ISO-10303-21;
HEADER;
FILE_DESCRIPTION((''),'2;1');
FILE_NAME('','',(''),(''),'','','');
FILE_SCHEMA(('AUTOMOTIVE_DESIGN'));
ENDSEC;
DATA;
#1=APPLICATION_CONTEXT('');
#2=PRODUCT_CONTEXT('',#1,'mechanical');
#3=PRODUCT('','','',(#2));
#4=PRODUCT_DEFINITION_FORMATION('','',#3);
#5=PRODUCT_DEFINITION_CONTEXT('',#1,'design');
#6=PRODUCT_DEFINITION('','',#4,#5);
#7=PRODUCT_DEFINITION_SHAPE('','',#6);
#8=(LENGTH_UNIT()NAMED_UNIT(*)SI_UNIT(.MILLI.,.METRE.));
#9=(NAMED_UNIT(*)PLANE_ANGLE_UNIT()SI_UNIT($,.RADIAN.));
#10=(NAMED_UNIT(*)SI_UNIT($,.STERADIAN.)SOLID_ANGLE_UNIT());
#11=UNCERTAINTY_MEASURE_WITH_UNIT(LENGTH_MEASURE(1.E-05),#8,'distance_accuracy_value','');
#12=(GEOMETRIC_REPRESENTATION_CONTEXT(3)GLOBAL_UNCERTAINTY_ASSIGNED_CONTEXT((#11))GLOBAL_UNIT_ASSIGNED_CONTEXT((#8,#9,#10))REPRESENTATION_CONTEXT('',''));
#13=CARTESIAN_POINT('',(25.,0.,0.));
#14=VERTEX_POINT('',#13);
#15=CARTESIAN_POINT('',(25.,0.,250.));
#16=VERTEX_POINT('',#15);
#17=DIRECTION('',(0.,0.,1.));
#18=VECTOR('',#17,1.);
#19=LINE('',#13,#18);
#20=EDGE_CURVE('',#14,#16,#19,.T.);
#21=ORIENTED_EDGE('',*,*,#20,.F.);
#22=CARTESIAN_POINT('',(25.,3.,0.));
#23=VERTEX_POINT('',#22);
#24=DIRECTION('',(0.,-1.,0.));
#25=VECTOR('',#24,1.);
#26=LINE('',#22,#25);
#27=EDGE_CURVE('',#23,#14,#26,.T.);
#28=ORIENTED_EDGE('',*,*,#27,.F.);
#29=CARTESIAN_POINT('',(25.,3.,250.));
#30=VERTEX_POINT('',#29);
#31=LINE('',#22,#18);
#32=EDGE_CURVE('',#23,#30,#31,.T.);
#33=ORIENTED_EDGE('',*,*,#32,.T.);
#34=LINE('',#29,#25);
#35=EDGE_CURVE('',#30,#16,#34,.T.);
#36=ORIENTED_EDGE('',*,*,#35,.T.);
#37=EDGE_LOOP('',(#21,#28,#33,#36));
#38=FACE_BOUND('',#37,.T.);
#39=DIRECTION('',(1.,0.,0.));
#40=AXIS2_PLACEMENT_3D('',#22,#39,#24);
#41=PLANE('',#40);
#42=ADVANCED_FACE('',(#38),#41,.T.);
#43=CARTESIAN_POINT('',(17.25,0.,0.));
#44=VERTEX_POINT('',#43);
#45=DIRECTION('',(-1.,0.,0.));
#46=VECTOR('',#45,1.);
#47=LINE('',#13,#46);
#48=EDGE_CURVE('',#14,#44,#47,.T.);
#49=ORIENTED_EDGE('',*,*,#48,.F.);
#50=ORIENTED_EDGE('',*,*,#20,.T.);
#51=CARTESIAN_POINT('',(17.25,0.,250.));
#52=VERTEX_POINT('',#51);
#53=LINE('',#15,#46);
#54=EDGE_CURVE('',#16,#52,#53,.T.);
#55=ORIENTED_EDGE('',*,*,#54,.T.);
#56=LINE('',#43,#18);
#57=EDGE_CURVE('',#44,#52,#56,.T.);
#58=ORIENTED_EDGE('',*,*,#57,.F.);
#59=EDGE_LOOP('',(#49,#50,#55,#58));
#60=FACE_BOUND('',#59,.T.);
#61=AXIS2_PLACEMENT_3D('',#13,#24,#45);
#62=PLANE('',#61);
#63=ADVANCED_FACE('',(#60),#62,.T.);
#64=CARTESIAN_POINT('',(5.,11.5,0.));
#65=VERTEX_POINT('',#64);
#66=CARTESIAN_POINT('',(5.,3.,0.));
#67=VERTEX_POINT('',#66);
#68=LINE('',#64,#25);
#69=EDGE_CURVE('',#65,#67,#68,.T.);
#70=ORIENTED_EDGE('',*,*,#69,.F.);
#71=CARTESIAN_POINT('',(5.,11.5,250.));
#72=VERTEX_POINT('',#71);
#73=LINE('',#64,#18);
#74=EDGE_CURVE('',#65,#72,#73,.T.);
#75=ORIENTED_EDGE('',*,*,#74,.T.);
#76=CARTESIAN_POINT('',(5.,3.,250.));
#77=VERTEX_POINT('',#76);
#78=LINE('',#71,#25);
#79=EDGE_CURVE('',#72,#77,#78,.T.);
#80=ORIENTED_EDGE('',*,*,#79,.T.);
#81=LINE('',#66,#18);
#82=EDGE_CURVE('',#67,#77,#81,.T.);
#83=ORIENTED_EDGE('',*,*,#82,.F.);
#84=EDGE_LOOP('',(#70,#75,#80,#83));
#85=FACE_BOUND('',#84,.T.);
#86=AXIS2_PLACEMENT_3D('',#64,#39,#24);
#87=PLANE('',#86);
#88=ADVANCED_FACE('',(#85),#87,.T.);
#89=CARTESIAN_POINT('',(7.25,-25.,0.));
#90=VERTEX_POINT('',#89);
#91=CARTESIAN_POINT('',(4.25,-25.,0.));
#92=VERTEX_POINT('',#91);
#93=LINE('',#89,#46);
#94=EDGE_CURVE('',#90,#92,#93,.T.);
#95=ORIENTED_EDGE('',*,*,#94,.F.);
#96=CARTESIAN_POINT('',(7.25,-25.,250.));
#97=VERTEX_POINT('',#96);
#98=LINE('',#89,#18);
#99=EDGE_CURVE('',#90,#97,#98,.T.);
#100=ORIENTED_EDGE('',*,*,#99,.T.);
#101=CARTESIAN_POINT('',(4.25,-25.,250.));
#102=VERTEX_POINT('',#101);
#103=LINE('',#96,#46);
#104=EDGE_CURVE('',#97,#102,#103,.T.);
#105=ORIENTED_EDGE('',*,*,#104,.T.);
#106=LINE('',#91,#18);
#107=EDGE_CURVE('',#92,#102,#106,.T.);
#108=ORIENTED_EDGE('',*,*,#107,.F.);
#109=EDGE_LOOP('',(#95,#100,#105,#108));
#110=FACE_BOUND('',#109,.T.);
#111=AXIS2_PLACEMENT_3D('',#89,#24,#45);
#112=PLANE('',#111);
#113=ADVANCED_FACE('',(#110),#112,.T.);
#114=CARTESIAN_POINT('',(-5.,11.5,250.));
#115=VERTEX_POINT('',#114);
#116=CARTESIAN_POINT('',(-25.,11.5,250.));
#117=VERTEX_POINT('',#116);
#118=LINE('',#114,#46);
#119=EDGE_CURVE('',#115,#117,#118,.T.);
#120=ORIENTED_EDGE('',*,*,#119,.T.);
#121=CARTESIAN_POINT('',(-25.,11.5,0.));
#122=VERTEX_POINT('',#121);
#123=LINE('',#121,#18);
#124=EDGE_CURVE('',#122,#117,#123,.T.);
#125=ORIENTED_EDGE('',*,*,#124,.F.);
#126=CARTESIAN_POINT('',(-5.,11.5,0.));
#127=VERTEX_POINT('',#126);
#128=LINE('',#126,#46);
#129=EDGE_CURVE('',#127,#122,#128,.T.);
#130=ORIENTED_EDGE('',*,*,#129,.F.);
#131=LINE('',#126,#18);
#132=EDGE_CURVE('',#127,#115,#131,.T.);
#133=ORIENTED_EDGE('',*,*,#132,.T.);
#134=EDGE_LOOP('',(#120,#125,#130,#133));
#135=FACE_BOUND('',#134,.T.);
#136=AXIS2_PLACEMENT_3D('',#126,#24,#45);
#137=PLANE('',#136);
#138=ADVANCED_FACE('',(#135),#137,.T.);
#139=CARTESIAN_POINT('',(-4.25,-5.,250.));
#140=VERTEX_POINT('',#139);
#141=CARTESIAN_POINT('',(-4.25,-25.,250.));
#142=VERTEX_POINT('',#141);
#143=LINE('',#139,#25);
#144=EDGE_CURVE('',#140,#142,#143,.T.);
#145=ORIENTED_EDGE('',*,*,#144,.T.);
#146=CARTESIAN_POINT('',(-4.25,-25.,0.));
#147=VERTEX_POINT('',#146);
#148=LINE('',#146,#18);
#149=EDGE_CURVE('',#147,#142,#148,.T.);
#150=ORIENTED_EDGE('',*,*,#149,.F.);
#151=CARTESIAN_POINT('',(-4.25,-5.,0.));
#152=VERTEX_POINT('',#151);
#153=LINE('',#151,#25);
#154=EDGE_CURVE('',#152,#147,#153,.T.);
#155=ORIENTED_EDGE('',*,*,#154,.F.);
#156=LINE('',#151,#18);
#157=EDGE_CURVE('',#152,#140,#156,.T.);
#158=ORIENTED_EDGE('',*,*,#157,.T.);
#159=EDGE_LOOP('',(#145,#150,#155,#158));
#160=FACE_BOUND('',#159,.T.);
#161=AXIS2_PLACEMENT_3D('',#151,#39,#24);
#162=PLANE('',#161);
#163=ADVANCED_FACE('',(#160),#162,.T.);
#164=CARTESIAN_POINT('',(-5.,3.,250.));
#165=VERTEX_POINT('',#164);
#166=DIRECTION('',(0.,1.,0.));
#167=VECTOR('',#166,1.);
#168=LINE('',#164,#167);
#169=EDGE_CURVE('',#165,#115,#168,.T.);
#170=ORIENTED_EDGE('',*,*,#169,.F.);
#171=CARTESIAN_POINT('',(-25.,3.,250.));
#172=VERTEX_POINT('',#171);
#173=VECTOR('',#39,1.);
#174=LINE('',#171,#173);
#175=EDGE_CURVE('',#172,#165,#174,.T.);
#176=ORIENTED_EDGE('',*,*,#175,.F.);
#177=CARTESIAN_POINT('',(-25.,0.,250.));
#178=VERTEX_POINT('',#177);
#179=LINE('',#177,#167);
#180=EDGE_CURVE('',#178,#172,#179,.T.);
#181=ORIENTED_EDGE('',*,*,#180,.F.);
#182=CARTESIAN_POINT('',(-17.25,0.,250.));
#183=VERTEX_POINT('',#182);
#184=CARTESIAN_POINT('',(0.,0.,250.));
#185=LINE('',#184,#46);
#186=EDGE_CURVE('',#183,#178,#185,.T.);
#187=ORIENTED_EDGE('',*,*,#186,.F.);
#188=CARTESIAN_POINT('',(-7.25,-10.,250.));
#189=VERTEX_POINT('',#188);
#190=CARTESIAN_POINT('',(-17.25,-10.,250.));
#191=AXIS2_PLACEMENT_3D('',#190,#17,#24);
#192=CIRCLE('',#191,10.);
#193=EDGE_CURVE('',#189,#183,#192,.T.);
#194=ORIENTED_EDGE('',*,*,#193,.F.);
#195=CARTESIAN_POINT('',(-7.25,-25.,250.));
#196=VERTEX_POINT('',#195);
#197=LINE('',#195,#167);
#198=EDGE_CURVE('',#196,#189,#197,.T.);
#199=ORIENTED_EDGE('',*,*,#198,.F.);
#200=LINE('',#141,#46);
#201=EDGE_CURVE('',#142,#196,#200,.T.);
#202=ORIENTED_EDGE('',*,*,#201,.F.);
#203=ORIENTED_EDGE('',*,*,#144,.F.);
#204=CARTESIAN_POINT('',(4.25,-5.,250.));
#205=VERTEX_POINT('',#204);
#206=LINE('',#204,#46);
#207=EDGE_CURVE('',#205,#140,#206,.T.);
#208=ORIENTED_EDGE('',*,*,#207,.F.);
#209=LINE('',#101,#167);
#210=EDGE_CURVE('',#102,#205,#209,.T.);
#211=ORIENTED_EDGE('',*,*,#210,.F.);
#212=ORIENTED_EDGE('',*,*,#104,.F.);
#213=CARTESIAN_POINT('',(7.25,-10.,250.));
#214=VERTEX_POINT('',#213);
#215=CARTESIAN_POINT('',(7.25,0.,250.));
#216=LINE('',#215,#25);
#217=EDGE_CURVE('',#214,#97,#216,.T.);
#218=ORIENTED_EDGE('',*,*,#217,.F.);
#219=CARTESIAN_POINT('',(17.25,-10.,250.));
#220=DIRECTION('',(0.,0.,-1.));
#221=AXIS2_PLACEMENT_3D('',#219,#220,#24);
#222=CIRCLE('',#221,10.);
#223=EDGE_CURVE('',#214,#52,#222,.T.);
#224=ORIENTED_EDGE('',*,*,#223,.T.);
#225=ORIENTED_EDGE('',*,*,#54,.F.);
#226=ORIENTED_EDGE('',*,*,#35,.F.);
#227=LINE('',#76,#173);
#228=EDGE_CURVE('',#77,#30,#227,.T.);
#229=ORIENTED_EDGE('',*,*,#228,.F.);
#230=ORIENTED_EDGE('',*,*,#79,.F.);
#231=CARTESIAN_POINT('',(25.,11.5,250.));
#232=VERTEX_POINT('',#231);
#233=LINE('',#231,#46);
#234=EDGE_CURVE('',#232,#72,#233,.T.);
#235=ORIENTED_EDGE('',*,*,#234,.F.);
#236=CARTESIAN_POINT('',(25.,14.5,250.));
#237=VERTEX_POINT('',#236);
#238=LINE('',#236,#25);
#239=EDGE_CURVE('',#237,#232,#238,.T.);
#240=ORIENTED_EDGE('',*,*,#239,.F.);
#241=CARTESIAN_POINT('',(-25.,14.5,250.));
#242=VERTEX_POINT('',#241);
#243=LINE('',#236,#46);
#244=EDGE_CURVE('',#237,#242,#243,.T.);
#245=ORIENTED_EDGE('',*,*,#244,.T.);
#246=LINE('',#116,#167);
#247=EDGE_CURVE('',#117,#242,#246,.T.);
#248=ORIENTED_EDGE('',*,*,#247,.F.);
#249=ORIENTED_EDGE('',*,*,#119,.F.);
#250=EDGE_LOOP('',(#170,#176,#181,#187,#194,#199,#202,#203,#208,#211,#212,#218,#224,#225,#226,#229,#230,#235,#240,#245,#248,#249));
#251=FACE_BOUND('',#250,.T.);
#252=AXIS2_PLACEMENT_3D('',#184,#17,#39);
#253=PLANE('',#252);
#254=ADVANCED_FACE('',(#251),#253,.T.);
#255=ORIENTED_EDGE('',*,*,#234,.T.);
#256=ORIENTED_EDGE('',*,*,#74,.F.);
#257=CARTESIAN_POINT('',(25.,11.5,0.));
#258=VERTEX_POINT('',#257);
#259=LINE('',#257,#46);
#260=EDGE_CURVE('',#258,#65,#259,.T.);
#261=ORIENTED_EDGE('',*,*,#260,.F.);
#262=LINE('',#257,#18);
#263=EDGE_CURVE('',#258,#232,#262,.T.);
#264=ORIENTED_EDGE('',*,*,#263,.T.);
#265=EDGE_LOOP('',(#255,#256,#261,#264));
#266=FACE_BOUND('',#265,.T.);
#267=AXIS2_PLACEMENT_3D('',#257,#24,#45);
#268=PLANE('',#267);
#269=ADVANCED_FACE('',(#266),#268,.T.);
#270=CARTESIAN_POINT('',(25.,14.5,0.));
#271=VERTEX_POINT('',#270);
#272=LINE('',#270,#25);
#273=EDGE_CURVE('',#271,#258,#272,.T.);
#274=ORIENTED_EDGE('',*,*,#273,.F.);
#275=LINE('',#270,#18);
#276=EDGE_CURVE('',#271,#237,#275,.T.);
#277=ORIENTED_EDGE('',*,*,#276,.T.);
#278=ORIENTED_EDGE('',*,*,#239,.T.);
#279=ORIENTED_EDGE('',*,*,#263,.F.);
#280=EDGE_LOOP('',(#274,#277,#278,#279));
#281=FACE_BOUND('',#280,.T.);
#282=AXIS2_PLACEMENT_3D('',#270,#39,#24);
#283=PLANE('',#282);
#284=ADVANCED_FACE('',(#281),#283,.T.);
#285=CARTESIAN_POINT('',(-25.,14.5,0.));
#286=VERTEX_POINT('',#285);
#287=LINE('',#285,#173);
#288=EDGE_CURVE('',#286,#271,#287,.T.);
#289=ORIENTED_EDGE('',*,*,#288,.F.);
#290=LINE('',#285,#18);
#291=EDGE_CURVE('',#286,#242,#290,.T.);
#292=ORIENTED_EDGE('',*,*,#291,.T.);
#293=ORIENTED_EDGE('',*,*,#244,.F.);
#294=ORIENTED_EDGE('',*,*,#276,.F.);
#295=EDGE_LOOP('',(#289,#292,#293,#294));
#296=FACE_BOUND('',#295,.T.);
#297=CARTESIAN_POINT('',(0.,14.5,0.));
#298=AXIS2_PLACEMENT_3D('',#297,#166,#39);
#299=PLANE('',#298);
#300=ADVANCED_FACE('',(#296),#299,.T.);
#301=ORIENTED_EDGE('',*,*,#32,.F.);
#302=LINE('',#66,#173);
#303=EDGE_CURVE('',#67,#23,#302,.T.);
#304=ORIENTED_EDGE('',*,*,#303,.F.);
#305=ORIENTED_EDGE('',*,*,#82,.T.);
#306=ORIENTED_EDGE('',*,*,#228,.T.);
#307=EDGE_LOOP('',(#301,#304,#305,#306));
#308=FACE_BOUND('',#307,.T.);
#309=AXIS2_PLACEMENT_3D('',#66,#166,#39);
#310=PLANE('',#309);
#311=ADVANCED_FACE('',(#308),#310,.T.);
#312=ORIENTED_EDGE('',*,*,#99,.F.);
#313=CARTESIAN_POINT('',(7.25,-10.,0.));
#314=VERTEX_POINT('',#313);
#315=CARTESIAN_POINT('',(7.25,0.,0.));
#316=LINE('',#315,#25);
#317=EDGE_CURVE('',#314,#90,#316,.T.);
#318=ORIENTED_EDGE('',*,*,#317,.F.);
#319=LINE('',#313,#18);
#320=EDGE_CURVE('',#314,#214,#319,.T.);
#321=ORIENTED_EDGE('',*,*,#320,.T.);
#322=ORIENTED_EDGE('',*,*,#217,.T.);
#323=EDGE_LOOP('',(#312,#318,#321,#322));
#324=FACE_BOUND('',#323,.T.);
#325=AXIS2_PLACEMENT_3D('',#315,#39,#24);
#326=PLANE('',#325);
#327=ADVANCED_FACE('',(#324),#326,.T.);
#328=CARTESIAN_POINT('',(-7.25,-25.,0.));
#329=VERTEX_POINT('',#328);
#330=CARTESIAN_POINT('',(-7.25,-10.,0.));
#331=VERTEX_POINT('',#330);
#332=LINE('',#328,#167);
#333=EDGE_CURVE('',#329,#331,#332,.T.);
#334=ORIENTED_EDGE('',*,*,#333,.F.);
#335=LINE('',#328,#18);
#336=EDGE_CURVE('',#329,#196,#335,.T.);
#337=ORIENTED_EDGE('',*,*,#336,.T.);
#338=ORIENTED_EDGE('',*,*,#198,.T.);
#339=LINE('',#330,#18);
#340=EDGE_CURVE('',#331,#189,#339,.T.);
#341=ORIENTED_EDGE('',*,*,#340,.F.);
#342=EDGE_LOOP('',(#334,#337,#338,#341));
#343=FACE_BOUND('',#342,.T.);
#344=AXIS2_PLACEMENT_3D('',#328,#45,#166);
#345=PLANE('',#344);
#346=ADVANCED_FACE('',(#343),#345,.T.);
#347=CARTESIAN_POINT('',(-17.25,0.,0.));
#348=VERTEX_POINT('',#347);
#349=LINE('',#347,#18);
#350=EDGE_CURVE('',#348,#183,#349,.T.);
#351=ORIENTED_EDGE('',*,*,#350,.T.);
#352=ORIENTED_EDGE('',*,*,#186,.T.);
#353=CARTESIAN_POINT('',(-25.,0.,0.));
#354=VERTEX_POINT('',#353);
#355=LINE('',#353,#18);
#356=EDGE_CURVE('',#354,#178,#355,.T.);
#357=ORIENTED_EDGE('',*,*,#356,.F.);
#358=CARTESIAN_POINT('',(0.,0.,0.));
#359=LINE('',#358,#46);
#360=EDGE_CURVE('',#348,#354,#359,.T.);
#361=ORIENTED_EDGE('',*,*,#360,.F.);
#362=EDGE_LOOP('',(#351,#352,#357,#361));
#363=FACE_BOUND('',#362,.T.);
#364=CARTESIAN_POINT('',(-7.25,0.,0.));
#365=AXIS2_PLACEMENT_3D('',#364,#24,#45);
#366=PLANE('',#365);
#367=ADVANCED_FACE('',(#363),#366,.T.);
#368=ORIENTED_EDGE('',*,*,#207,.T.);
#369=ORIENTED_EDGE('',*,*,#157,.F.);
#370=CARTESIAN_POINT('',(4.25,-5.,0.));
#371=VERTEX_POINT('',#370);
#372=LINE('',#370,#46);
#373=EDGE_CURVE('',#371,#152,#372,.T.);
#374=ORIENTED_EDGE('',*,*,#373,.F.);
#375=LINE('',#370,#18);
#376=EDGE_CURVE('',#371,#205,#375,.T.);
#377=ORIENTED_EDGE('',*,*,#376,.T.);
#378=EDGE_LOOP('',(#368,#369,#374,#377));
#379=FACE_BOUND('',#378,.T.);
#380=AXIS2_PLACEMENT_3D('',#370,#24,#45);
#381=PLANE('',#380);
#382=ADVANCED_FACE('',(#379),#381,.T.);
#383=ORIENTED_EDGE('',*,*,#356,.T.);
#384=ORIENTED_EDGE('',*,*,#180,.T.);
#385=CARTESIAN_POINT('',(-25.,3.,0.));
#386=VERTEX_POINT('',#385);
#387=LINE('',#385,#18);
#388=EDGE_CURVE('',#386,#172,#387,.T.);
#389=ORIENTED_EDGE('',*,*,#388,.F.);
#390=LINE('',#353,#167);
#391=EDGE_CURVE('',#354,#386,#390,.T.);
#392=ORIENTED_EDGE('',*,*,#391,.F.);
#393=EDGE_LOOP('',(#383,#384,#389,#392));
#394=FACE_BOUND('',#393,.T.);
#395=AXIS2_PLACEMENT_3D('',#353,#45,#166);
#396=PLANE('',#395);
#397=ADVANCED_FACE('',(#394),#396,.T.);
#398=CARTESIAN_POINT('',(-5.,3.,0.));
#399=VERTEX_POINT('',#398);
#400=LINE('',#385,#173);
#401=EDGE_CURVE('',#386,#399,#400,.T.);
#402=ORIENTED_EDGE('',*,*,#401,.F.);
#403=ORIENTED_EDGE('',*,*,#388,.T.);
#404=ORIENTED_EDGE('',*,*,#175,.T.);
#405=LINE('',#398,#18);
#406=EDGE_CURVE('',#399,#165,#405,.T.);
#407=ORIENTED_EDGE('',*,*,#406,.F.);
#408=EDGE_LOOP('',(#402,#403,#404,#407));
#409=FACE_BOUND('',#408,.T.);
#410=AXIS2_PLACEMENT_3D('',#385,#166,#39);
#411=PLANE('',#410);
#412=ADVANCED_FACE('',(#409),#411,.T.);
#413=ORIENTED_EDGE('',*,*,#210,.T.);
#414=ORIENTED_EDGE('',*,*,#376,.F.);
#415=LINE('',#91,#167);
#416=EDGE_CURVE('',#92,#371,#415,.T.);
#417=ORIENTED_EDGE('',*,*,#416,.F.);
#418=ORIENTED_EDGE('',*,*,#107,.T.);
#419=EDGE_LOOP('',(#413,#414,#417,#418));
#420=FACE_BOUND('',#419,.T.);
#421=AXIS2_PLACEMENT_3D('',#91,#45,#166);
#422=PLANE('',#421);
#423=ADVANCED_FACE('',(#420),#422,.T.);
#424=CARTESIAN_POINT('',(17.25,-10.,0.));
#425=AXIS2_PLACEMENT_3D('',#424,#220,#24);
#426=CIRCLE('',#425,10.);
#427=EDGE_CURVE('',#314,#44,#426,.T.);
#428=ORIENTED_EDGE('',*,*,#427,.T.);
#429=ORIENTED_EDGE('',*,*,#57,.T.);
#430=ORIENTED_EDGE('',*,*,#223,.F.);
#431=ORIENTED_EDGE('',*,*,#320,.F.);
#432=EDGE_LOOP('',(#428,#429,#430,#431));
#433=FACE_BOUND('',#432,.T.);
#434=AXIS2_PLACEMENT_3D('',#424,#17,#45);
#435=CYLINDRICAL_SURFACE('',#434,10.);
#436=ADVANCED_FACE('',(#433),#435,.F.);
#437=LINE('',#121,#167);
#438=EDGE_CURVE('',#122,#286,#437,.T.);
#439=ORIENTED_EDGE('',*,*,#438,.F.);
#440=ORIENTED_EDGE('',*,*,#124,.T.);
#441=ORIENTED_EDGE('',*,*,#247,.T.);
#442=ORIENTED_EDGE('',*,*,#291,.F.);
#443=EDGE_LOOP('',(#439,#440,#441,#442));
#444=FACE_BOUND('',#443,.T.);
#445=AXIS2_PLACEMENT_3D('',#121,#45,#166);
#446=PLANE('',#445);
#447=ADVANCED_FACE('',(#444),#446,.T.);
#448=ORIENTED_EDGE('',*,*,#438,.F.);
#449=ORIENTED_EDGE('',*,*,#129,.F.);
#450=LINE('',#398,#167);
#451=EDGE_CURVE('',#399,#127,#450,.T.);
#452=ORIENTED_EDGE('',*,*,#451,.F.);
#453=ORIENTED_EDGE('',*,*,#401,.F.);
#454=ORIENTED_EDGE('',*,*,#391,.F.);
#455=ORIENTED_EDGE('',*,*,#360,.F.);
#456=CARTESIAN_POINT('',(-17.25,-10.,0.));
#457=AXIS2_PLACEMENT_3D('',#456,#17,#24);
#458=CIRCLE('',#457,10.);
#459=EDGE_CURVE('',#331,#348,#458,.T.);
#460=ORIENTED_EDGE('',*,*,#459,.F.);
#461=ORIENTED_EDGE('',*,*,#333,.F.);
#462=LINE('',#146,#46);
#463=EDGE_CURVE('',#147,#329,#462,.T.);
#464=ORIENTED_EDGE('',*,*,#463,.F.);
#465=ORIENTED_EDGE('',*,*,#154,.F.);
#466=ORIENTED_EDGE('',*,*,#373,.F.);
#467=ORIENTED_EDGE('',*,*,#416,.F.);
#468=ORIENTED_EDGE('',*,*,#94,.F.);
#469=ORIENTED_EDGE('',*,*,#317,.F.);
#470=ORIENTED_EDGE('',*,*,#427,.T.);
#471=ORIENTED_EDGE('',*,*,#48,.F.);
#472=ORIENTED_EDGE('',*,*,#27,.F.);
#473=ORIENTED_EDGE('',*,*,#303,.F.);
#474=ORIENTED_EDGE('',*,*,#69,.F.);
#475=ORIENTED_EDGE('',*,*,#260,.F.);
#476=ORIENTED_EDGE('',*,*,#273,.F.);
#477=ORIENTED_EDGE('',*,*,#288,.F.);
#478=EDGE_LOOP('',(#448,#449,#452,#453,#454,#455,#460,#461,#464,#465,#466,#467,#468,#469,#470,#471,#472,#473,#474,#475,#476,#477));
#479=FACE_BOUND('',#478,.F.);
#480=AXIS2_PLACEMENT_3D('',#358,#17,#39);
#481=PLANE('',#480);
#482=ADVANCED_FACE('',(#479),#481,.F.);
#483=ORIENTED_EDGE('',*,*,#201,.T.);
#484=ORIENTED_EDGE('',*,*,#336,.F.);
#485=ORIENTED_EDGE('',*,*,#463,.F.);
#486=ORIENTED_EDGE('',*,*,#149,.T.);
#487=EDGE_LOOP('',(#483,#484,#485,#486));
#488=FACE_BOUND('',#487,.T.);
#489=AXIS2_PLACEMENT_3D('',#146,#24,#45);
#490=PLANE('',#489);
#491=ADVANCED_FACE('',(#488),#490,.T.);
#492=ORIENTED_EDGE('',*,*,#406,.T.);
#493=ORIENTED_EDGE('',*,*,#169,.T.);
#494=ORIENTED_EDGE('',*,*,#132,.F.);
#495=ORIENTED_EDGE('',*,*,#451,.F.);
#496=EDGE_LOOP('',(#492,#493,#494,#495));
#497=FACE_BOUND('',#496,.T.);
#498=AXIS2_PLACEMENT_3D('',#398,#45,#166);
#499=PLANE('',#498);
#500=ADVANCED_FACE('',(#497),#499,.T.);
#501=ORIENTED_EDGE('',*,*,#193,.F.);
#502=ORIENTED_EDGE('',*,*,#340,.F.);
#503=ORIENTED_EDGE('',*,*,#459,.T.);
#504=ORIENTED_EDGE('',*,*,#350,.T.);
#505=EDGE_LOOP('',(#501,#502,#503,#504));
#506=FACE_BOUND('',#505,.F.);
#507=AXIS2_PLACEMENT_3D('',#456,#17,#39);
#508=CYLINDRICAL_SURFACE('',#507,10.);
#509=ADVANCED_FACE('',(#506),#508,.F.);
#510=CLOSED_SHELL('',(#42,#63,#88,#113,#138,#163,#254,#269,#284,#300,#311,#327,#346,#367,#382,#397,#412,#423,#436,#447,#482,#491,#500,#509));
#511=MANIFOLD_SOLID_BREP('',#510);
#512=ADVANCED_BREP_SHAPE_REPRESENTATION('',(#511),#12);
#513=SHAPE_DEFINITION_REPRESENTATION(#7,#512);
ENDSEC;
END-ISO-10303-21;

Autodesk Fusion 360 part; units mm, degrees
sketch "Schizzo1" plane through (0, 0, 0) normal (0, 0, 1) x (1, 0, 0)
  line L0 (0, 0) -> (-25, 0)
  line L1 (-25, 0) -> (-25, 3)
  line L2 (-25, 3) -> (-5, 3)
  line L3 (-5, 3) -> (-5, 11.5)
  line L4 (-5, 11.5) -> (-25, 11.5)
  line L5 (-25, 11.5) -> (-25, 14.5)
  line L6 (-25, 14.5) -> (0, 14.5)
  line L7 (0, 14.5) -> (0, 0)
  line L8 (0, 14.5) -> (25, 14.5)
  line L9 (5, 11.5) -> (5, 3)
  line L10 (0, 0) -> (0, 14.5)
  line L11 (25, 0) -> (0, 0)
  line L12 (5, 3) -> (25, 3)
  line L13 (25, 14.5) -> (25, 11.5)
  line L14 (25, 3) -> (25, 0)
  line L15 (25, 11.5) -> (5, 11.5)
  line L16 (7.25, 0) -> (7.25, -25)
  line L17 (4.25, -5) -> (-4.25, -5)
  line L18 (4.25, -25) -> (4.25, -5)
  line L19 (-7.25, -25) -> (-7.25, 0)
  line L20 (-4.25, -5) -> (-4.25, -25)
  line L21 (-4.25, -25) -> (-7.25, -25)
  line L22 (7.25, -25) -> (4.25, -25)
  line L23 (0, 0) -> (0, -13.3515) construction
  point P0 (0, 14.5)
  point P1 (0, -5)
  dimension "d2" = 8.5
  dimension "d3" = 3
  dimension "d4" = 3
  dimension "d5" = 25
  dimension "d6" = 25
  dimension "d7" = 20
  dimension "d8" = 8.5
  dimension "d9" = 3
  dimension "d10" = 3
  dimension "d11" = 25
  dimension "d12" = 25
  dimension "d23" = 3
  dimension "d24" = 25
  dimension "d25" = 25
  dimension "d26" = 8.5
  dimension "d27" = 3
  dimension "d28" = 20
  dimension "d31" = 5
  dimension "d34" = 4.25
  dimension "d35" = 20
extrude "Estrusione1" add sketch "Schizzo1" along normal blind 250
fillet "Raccordo2" radius 10 2 edges at (-7.25, 0, 125) (7.25, 0, 125)
equation "d34 = ( 8.5 / 2 ) * 1 mm"
